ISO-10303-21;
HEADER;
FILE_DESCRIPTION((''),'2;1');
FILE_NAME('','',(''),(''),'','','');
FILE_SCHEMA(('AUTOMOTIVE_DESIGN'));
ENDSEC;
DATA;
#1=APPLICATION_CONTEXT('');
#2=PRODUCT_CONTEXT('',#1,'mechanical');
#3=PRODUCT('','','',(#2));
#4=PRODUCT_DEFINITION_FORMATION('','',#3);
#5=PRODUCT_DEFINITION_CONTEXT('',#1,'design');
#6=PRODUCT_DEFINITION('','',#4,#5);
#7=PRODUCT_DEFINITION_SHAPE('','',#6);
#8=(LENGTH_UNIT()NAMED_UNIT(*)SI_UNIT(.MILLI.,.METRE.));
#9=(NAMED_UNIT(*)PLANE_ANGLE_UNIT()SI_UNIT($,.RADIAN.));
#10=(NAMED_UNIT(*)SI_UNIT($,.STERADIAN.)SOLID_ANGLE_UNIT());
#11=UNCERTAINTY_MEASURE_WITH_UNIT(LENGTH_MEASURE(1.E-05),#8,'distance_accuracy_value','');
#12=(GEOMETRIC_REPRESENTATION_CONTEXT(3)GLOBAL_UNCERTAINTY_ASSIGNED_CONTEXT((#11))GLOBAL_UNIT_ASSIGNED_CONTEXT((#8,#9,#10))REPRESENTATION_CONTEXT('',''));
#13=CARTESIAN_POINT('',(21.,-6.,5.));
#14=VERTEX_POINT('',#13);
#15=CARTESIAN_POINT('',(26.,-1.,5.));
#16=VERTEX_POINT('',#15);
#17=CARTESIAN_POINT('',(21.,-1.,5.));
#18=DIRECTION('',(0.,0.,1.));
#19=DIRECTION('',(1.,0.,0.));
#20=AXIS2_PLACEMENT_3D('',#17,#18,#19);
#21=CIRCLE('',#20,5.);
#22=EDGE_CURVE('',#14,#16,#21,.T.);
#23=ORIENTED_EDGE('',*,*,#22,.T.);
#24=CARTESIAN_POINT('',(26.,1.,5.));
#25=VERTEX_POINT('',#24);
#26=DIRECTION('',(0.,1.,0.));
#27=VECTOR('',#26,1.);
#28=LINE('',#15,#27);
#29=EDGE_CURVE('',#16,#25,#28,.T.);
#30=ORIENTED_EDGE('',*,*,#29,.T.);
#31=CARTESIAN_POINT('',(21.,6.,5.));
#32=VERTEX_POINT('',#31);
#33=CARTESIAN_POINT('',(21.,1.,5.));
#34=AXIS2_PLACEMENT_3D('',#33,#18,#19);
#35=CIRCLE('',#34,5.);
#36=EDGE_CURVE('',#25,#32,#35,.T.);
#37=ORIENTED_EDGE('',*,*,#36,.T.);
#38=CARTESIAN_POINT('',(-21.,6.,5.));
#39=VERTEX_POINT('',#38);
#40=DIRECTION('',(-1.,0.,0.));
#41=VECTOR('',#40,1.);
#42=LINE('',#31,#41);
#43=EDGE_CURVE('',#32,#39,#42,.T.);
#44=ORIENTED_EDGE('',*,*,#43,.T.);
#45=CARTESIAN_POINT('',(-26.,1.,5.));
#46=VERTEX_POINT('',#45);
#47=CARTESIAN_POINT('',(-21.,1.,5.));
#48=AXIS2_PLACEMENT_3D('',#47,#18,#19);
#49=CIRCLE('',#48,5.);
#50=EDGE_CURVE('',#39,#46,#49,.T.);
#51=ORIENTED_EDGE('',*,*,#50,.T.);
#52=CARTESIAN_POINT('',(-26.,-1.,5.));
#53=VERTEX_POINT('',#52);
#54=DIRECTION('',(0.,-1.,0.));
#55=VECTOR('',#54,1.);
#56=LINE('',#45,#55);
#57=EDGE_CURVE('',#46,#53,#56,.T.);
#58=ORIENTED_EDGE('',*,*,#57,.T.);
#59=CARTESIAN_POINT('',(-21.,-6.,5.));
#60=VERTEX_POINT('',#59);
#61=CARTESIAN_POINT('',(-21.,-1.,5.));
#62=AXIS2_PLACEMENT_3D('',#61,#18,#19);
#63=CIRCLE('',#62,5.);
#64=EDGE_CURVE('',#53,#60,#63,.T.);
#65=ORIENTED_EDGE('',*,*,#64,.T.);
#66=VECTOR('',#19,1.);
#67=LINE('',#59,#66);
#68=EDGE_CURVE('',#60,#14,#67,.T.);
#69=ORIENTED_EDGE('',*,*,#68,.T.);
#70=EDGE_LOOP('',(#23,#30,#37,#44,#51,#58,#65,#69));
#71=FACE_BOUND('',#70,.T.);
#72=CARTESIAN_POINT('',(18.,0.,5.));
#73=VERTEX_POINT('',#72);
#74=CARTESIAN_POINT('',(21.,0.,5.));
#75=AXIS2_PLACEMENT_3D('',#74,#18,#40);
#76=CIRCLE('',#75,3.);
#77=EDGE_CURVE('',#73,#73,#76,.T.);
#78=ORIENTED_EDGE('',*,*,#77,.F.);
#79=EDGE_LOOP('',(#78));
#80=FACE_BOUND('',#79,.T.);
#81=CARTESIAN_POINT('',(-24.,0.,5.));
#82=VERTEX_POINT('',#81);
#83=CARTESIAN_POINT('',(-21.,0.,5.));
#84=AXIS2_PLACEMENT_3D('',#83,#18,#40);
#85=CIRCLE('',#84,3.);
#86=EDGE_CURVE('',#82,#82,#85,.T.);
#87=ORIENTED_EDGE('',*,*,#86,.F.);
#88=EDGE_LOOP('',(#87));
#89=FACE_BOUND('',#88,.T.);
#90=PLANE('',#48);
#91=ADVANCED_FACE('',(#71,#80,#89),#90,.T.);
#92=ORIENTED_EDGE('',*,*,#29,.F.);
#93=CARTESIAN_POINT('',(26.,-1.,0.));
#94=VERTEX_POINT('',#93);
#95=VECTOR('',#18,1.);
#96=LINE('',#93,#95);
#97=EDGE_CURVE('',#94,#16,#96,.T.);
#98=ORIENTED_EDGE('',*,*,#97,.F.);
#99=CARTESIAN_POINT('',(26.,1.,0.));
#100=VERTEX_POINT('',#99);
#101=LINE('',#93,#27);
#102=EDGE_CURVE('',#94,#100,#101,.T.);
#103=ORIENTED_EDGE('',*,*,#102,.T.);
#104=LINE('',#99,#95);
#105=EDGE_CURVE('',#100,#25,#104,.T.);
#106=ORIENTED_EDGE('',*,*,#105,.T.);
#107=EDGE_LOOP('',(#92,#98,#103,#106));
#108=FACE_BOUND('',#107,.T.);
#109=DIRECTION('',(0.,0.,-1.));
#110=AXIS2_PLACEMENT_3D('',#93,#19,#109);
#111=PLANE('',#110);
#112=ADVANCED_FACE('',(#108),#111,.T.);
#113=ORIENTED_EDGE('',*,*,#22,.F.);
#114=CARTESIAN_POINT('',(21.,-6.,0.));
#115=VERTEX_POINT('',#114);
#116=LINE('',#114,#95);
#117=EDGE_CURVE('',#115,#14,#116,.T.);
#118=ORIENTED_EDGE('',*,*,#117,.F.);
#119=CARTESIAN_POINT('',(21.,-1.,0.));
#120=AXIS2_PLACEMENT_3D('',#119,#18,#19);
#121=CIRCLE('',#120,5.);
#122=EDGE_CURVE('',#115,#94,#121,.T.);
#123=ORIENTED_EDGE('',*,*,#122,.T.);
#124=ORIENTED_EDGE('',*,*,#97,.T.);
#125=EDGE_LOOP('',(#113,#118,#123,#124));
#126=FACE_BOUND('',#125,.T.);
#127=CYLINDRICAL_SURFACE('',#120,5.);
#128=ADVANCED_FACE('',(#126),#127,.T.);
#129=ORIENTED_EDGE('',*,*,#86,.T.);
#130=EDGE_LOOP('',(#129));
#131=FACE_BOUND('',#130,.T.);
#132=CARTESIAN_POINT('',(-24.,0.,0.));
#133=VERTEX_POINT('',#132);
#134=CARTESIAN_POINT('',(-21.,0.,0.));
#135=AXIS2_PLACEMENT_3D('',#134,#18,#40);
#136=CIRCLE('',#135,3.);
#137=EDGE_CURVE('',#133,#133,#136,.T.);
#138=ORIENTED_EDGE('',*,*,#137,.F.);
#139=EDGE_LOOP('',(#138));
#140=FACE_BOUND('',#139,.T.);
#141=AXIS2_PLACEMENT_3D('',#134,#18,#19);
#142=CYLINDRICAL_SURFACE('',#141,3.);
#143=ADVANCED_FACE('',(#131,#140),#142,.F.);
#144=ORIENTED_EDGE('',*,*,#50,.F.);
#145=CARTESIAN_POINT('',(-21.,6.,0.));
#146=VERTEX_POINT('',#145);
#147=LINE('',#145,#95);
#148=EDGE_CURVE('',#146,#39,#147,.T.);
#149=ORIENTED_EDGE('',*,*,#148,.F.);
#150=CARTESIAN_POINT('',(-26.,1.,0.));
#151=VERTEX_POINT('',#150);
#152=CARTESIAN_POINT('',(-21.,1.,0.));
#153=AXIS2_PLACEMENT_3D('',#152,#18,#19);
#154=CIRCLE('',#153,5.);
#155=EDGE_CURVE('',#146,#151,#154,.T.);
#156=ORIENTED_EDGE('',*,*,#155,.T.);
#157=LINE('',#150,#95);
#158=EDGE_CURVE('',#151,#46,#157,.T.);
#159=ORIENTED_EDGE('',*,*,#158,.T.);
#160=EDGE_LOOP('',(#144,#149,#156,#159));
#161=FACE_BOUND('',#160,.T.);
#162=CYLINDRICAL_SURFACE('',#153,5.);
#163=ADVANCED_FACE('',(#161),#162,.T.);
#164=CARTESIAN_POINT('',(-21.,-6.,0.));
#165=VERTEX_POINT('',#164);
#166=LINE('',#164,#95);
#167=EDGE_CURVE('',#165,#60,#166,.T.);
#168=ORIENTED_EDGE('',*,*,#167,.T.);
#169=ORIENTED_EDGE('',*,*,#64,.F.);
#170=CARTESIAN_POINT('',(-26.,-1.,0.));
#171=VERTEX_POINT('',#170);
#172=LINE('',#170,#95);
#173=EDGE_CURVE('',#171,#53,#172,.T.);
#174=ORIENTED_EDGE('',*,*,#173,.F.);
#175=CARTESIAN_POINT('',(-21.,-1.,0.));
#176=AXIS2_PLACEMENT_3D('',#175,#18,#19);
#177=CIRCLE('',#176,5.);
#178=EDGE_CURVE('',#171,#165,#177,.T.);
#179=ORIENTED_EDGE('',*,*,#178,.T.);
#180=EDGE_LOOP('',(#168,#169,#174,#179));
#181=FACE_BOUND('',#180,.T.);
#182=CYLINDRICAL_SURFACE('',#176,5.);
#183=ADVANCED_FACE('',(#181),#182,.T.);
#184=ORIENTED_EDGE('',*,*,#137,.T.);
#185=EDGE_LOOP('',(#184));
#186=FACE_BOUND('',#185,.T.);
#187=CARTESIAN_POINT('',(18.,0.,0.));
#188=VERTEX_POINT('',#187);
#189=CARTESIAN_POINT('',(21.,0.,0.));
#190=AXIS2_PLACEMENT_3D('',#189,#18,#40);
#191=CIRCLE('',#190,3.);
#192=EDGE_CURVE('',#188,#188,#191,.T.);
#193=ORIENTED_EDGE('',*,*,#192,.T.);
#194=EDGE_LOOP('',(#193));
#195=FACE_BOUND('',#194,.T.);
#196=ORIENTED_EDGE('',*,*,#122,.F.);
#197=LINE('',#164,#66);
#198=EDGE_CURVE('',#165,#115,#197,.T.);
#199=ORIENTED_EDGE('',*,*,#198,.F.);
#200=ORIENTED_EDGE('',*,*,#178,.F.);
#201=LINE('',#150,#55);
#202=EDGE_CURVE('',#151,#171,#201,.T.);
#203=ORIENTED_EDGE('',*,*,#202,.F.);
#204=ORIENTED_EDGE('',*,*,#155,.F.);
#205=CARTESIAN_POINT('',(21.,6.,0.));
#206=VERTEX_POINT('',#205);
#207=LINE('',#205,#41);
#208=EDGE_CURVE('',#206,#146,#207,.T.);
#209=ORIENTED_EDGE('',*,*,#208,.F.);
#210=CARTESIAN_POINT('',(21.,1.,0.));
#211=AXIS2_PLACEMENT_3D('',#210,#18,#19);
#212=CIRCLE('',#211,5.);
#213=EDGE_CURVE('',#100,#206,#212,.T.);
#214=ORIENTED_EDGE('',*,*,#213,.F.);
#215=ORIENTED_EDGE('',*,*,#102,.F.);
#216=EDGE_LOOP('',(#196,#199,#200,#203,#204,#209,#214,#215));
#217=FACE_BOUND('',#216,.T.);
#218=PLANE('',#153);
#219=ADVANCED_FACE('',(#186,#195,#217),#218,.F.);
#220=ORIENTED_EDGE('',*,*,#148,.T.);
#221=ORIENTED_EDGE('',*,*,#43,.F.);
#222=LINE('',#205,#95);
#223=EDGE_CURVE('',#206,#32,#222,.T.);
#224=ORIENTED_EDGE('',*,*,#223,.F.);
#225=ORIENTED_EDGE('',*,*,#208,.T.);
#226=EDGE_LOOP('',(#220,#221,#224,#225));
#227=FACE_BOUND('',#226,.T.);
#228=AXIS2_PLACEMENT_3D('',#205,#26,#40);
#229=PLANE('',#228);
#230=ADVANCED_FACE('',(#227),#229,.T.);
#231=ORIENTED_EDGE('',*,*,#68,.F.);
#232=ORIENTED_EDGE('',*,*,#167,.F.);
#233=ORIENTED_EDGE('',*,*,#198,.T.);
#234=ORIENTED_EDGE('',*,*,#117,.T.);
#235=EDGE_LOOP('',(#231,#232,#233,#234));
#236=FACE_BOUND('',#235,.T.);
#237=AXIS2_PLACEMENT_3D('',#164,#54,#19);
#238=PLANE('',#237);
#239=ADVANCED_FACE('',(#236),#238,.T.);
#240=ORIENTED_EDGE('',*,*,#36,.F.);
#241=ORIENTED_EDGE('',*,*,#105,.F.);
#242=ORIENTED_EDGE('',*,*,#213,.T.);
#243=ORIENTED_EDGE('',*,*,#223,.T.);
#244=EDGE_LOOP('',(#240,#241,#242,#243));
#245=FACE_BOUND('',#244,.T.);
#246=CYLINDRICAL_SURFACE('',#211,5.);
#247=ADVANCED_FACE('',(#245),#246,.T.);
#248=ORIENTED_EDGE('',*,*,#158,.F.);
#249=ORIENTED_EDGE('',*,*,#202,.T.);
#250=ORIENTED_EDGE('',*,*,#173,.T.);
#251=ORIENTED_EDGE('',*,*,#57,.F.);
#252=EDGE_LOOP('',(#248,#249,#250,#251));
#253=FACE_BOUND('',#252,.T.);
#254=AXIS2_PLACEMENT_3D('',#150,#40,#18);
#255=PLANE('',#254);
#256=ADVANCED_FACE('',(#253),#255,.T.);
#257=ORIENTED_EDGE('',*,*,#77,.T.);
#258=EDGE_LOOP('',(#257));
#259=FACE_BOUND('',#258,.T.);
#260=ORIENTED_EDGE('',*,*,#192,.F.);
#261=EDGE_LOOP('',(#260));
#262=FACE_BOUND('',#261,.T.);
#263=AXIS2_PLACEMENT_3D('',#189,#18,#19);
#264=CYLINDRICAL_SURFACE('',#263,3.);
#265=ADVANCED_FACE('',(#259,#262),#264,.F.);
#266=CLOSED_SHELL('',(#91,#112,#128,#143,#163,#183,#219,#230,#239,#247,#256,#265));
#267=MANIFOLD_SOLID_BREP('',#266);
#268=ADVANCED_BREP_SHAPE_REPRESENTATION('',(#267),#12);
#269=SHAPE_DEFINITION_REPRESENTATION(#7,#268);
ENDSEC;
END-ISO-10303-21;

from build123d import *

# Parameters (mm, degrees)
ESQUISSE1_R        = 3
BOSS_EXTRU_1_DEPTH = 5


with BuildPart() as part:
    # Esquisse1 → Boss.-Extru.1 (new body)
    with BuildSketch(Plane.XY.offset(5)):
        with BuildLine():
            Line((-26, 1), (-26, -1))
            ThreePointArc((-26, -1), (-24.535533906, -4.535533906), (-21, -6))
            Line((-21, -6), (21, -6))
            ThreePointArc((21, -6), (24.535533906, -4.535533906), (26, -1))
            Line((26, -1), (26, 1))
            ThreePointArc((26, 1), (24.535533906, 4.535533906), (21, 6))
            Line((21, 6), (-21, 6))
            ThreePointArc((-21, 6), (-24.535533906, 4.535533906), (-26, 1))
        make_face()
        with Locations(Location((21, 0, 0), (0, 0, 180))):  # turned: the seam where the file's is
            Circle(ESQUISSE1_R, mode=Mode.SUBTRACT)
        with Locations(Location((-21, 0, 0), (0, 0, 180))):  # turned: the seam where the file's is
            Circle(ESQUISSE1_R, mode=Mode.SUBTRACT)
    extrude(amount=-BOSS_EXTRU_1_DEPTH)


solid = part.part
